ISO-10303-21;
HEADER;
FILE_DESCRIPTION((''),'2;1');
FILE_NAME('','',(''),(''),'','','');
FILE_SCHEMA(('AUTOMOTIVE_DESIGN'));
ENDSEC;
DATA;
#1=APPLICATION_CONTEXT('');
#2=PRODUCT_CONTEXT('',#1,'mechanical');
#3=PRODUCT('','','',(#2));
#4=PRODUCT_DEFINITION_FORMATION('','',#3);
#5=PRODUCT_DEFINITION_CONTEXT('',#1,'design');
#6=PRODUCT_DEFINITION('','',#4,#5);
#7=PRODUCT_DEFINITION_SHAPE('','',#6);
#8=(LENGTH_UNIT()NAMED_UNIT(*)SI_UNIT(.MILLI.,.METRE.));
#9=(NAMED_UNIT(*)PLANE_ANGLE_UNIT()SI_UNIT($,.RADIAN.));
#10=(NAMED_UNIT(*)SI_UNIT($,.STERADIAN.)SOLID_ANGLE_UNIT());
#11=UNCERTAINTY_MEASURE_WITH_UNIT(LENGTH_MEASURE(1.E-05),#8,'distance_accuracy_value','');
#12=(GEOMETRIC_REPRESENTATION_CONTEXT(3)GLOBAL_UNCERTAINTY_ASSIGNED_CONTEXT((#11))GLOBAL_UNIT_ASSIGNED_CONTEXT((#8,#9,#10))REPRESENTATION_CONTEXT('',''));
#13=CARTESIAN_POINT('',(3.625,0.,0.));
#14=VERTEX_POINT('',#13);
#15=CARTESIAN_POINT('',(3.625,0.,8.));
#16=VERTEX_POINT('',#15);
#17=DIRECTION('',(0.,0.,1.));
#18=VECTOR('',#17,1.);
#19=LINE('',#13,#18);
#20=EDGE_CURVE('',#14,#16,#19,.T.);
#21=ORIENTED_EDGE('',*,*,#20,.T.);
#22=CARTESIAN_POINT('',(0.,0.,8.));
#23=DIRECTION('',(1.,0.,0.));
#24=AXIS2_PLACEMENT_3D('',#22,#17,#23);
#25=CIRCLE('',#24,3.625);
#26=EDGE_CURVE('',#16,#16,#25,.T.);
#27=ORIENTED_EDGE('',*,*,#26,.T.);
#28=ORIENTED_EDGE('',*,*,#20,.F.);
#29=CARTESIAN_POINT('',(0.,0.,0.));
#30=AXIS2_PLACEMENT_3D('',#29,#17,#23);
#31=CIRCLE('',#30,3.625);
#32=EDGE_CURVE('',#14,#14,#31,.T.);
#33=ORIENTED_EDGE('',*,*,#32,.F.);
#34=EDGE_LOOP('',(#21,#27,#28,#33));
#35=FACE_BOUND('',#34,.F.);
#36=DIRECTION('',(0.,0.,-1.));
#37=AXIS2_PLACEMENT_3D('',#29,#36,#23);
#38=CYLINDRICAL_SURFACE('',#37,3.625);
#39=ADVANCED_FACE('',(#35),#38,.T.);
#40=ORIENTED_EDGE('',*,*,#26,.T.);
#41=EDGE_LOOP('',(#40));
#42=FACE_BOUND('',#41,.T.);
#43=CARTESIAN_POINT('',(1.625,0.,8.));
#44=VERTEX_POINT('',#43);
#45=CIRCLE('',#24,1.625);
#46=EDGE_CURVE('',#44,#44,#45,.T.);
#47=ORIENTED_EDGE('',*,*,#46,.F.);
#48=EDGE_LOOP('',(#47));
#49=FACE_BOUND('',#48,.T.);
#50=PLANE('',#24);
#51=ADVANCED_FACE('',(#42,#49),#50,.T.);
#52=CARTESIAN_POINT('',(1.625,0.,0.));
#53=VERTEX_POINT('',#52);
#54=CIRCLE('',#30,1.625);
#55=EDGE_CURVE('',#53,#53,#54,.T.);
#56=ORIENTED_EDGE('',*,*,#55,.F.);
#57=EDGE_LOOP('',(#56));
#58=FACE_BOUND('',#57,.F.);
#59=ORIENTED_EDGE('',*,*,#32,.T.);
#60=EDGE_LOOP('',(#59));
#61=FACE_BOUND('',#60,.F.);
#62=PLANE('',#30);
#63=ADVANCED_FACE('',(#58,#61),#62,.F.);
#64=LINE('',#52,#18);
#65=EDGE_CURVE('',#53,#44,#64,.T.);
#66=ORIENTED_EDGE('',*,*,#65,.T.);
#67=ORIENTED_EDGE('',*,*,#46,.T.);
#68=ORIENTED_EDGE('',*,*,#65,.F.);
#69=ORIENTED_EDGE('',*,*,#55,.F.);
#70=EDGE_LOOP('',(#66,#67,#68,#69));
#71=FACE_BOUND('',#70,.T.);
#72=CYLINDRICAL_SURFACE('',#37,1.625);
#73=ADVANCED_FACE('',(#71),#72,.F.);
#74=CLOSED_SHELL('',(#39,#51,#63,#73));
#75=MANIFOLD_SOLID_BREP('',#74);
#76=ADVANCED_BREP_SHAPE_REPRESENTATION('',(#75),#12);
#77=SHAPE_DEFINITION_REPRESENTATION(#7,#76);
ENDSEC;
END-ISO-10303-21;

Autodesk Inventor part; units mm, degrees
ref_plane "YZ Plane" through (0, 0, 0) normal (1, 0, 0) x (0, 1, 0)
ref_plane "XZ Plane" through (0, 0, 0) normal (0, 1, 0) x (-1, 0, 0)
ref_plane "XY Plane" through (0, 0, 0) normal (0, 0, 1) x (1, 0, 0)
sketch "Sketch1" plane through (0, 0, 0) normal (0, 0, 1) x (1, 0, 0)
  circle A0 centre (0, 0) radius 1.625
  circle A1 centre (0, 0) radius 3.625
  dimension "d0" = 3.25
  dimension "d1" = 2
  dimension "d2" = 7.25
extrude "Extrusion1" add sketch "Sketch1" along normal blind 8
properties part number "3DP_PLA_Foot_standoff"
